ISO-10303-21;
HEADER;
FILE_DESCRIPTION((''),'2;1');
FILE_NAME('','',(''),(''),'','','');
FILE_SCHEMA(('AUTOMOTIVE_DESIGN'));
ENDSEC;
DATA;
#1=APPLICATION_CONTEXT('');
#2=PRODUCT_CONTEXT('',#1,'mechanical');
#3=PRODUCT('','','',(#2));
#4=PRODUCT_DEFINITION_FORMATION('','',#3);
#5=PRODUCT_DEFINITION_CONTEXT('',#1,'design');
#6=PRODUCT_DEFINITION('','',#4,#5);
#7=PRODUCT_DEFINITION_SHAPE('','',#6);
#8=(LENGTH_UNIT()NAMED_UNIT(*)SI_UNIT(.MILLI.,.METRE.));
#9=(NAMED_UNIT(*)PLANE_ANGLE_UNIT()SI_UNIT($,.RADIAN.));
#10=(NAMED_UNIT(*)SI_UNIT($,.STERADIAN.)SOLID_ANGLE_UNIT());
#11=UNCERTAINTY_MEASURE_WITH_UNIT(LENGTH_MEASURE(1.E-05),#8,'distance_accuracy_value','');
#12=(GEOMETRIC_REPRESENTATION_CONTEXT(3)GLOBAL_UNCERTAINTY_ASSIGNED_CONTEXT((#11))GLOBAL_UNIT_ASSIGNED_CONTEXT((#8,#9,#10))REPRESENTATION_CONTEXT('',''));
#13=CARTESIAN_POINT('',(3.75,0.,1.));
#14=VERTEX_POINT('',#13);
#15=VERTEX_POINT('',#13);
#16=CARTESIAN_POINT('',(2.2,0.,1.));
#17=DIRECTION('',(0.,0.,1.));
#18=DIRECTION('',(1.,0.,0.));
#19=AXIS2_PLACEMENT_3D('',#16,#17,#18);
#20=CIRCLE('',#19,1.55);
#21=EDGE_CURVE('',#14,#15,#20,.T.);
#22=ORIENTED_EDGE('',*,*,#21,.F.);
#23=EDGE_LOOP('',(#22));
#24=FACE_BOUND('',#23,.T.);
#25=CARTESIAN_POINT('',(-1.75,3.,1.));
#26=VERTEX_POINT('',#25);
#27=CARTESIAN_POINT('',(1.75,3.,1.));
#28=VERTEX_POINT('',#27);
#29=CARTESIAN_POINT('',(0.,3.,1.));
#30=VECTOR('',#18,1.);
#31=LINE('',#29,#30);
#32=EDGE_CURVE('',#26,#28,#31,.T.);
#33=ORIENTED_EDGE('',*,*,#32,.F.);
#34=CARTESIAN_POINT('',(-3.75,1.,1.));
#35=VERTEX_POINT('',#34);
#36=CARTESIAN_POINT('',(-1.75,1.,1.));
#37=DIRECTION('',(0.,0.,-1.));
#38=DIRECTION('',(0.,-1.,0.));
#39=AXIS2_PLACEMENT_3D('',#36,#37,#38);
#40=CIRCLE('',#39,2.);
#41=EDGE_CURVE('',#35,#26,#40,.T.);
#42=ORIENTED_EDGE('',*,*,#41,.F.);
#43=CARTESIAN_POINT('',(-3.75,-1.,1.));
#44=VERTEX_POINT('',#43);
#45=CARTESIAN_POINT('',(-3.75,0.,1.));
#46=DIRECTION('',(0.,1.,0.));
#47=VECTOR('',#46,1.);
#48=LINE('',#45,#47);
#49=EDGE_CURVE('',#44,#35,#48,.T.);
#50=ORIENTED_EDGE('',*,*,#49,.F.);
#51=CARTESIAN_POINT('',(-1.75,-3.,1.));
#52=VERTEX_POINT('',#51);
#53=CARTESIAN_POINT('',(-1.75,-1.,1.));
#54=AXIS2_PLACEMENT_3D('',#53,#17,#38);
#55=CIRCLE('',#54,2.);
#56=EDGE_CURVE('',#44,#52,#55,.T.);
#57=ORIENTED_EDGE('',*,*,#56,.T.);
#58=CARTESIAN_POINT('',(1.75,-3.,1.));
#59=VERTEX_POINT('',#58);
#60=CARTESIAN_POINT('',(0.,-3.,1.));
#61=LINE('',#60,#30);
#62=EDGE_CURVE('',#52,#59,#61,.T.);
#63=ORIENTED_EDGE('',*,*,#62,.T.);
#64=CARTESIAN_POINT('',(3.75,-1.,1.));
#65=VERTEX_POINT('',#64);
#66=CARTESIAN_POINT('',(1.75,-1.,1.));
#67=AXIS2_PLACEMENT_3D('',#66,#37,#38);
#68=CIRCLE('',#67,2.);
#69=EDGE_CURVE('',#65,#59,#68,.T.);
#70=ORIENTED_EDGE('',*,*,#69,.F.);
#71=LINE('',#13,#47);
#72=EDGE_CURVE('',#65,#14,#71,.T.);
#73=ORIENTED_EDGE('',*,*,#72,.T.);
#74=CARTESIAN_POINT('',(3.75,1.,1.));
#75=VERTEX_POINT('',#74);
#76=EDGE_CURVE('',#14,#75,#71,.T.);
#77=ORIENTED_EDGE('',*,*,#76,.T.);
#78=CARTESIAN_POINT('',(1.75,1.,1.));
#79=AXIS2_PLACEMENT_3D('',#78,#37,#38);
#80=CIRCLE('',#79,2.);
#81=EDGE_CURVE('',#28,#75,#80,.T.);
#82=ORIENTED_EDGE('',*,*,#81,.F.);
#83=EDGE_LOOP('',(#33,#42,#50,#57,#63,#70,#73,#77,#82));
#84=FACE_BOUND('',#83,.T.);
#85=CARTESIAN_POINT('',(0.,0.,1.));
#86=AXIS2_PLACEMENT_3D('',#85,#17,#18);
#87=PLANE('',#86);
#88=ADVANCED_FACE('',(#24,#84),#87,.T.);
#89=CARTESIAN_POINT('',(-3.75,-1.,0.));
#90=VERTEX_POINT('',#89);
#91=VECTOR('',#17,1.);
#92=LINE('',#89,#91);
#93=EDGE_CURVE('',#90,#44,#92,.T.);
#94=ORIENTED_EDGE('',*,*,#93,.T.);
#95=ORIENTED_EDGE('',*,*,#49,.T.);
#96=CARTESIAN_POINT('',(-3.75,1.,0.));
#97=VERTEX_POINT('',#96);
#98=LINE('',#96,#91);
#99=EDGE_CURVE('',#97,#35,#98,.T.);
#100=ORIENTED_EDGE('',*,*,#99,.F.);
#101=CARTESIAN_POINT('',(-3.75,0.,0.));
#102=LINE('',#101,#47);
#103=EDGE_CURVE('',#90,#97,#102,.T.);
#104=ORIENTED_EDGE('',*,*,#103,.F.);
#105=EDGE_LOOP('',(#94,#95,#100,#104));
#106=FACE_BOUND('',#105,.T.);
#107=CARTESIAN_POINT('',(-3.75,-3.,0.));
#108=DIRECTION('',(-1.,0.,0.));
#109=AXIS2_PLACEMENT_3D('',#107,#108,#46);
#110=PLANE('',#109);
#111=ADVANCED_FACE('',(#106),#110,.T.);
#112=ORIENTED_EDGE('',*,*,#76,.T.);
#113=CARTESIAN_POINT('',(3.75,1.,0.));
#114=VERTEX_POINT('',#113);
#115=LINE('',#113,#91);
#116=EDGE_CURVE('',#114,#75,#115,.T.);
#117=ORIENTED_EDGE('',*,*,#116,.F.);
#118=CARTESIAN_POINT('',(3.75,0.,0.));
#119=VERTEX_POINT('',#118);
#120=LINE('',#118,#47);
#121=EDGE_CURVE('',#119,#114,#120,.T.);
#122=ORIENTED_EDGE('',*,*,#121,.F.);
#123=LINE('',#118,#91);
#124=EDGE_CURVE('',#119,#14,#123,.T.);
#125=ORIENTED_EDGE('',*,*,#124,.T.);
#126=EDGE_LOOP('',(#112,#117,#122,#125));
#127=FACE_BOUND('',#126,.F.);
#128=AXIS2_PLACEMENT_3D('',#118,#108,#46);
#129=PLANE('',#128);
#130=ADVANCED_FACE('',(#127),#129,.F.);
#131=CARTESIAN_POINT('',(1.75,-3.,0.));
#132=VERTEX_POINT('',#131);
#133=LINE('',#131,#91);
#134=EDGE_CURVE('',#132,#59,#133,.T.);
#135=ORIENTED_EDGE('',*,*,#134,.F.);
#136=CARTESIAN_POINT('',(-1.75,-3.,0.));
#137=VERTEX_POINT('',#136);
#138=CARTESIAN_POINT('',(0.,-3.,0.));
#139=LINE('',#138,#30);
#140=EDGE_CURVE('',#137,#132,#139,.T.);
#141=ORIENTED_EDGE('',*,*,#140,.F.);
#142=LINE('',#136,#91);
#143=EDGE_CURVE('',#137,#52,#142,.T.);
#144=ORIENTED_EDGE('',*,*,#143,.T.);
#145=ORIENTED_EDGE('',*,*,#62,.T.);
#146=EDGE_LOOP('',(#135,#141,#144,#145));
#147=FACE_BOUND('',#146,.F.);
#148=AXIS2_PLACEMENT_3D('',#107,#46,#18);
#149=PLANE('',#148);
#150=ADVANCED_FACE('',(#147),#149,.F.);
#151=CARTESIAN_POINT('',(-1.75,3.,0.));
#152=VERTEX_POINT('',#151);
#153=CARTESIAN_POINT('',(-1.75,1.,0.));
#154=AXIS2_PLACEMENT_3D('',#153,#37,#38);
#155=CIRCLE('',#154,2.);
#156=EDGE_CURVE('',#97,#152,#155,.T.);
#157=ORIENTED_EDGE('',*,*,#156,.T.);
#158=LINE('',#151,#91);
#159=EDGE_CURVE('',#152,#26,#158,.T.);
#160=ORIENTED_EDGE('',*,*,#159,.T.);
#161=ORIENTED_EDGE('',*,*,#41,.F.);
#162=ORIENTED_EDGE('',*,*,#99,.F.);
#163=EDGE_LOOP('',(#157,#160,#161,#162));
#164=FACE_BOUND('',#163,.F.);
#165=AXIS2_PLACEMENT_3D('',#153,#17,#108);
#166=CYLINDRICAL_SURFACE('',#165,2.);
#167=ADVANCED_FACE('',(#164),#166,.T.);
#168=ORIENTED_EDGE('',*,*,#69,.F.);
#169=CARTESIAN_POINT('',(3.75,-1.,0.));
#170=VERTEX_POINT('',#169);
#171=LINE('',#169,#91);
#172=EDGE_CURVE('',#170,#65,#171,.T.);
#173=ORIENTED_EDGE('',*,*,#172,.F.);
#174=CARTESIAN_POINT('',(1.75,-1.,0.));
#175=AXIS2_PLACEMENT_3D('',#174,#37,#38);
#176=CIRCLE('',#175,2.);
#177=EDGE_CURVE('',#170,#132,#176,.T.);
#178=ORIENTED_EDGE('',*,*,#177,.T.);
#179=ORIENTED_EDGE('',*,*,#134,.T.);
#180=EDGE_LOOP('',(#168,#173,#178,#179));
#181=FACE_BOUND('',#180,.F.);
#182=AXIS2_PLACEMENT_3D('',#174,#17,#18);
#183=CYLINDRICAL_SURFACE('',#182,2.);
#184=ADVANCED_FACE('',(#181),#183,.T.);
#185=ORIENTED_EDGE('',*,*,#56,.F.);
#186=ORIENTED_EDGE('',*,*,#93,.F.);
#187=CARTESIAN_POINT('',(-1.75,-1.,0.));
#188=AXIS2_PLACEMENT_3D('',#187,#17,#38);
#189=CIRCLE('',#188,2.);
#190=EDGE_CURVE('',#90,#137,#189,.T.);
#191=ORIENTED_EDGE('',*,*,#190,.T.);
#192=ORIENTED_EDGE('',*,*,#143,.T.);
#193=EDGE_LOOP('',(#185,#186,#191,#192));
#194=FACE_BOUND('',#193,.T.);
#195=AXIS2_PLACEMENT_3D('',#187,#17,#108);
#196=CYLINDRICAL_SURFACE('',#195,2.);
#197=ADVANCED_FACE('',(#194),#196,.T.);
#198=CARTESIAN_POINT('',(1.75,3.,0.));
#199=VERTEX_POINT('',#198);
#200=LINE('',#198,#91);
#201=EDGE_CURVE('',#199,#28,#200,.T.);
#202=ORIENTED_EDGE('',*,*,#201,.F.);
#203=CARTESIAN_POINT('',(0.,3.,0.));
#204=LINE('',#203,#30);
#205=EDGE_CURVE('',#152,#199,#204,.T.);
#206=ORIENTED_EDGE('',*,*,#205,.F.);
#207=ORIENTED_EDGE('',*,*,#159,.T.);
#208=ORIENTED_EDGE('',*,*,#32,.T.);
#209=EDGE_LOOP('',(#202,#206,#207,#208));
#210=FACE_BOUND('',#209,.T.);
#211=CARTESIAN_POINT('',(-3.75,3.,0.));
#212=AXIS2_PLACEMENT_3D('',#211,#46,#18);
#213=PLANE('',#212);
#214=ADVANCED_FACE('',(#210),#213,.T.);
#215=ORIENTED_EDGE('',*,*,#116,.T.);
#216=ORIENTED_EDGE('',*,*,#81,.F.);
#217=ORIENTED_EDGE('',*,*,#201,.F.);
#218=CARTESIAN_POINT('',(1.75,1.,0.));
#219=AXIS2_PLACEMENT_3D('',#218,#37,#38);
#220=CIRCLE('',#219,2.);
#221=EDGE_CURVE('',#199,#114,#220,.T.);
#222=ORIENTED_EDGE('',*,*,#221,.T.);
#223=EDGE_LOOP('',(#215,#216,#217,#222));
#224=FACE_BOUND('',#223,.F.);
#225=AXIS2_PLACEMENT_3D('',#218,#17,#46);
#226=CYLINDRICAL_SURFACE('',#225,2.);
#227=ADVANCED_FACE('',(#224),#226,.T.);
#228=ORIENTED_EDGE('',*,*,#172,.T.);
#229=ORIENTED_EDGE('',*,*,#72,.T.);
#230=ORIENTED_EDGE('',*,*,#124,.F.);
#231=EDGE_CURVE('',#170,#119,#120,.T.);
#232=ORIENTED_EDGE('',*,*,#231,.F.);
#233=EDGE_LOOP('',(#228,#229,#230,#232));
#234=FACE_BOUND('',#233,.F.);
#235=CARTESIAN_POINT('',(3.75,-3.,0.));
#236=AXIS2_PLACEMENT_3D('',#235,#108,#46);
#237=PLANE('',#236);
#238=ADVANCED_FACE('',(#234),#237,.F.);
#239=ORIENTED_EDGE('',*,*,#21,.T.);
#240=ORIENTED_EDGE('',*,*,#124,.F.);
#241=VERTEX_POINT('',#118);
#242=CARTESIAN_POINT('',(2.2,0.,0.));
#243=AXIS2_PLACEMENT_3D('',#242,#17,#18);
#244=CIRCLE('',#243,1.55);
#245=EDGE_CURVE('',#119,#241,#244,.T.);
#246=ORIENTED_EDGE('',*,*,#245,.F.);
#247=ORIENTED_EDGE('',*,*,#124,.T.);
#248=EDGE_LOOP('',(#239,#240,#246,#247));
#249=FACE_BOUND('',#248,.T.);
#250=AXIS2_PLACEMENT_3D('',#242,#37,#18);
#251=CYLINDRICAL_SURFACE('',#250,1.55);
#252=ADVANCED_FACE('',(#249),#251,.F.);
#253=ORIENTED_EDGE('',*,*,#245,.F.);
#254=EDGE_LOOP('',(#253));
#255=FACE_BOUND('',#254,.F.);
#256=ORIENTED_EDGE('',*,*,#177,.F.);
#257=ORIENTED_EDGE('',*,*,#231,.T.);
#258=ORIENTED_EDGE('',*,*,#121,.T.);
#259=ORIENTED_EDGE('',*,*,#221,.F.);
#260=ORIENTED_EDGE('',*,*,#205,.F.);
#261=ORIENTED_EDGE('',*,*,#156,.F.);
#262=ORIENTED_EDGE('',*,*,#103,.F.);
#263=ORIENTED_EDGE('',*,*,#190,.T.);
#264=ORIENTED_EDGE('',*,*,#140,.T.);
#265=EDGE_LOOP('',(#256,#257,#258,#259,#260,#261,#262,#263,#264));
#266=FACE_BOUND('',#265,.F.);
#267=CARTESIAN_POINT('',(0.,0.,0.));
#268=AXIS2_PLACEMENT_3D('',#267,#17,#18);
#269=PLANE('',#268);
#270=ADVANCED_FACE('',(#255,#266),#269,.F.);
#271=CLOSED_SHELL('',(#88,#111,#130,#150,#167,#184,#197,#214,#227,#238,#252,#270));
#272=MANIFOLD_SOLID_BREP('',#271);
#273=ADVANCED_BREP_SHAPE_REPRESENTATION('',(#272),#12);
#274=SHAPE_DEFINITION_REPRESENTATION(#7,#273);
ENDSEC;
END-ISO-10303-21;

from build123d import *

# Parameters (mm, degrees)
SKETCH_W  = 7.5
SKETCH_H  = 6
SKETCH_R  = 1.55
PAD_DEPTH = 1
FILLET_R  = 2


with BuildPart() as part:
    # Sketch → Pad (new body)
    with BuildSketch(Plane.XY):
        Rectangle(SKETCH_W, SKETCH_H)
        with Locations((2.2, 0)):
            Circle(SKETCH_R, mode=Mode.SUBTRACT)
    extrude(amount=PAD_DEPTH)

    # Fillet
    fillet_edges = [part.edges().sort_by_distance(p)[0] for p in [
        (-3.75, -3, 0.5),
        (3.75, -3, 0.5),
        (3.75, 3, 0.5),
        (-3.75, 3, 0.5),
    ]]
    fillet(fillet_edges, radius=FILLET_R)


solid = part.part
